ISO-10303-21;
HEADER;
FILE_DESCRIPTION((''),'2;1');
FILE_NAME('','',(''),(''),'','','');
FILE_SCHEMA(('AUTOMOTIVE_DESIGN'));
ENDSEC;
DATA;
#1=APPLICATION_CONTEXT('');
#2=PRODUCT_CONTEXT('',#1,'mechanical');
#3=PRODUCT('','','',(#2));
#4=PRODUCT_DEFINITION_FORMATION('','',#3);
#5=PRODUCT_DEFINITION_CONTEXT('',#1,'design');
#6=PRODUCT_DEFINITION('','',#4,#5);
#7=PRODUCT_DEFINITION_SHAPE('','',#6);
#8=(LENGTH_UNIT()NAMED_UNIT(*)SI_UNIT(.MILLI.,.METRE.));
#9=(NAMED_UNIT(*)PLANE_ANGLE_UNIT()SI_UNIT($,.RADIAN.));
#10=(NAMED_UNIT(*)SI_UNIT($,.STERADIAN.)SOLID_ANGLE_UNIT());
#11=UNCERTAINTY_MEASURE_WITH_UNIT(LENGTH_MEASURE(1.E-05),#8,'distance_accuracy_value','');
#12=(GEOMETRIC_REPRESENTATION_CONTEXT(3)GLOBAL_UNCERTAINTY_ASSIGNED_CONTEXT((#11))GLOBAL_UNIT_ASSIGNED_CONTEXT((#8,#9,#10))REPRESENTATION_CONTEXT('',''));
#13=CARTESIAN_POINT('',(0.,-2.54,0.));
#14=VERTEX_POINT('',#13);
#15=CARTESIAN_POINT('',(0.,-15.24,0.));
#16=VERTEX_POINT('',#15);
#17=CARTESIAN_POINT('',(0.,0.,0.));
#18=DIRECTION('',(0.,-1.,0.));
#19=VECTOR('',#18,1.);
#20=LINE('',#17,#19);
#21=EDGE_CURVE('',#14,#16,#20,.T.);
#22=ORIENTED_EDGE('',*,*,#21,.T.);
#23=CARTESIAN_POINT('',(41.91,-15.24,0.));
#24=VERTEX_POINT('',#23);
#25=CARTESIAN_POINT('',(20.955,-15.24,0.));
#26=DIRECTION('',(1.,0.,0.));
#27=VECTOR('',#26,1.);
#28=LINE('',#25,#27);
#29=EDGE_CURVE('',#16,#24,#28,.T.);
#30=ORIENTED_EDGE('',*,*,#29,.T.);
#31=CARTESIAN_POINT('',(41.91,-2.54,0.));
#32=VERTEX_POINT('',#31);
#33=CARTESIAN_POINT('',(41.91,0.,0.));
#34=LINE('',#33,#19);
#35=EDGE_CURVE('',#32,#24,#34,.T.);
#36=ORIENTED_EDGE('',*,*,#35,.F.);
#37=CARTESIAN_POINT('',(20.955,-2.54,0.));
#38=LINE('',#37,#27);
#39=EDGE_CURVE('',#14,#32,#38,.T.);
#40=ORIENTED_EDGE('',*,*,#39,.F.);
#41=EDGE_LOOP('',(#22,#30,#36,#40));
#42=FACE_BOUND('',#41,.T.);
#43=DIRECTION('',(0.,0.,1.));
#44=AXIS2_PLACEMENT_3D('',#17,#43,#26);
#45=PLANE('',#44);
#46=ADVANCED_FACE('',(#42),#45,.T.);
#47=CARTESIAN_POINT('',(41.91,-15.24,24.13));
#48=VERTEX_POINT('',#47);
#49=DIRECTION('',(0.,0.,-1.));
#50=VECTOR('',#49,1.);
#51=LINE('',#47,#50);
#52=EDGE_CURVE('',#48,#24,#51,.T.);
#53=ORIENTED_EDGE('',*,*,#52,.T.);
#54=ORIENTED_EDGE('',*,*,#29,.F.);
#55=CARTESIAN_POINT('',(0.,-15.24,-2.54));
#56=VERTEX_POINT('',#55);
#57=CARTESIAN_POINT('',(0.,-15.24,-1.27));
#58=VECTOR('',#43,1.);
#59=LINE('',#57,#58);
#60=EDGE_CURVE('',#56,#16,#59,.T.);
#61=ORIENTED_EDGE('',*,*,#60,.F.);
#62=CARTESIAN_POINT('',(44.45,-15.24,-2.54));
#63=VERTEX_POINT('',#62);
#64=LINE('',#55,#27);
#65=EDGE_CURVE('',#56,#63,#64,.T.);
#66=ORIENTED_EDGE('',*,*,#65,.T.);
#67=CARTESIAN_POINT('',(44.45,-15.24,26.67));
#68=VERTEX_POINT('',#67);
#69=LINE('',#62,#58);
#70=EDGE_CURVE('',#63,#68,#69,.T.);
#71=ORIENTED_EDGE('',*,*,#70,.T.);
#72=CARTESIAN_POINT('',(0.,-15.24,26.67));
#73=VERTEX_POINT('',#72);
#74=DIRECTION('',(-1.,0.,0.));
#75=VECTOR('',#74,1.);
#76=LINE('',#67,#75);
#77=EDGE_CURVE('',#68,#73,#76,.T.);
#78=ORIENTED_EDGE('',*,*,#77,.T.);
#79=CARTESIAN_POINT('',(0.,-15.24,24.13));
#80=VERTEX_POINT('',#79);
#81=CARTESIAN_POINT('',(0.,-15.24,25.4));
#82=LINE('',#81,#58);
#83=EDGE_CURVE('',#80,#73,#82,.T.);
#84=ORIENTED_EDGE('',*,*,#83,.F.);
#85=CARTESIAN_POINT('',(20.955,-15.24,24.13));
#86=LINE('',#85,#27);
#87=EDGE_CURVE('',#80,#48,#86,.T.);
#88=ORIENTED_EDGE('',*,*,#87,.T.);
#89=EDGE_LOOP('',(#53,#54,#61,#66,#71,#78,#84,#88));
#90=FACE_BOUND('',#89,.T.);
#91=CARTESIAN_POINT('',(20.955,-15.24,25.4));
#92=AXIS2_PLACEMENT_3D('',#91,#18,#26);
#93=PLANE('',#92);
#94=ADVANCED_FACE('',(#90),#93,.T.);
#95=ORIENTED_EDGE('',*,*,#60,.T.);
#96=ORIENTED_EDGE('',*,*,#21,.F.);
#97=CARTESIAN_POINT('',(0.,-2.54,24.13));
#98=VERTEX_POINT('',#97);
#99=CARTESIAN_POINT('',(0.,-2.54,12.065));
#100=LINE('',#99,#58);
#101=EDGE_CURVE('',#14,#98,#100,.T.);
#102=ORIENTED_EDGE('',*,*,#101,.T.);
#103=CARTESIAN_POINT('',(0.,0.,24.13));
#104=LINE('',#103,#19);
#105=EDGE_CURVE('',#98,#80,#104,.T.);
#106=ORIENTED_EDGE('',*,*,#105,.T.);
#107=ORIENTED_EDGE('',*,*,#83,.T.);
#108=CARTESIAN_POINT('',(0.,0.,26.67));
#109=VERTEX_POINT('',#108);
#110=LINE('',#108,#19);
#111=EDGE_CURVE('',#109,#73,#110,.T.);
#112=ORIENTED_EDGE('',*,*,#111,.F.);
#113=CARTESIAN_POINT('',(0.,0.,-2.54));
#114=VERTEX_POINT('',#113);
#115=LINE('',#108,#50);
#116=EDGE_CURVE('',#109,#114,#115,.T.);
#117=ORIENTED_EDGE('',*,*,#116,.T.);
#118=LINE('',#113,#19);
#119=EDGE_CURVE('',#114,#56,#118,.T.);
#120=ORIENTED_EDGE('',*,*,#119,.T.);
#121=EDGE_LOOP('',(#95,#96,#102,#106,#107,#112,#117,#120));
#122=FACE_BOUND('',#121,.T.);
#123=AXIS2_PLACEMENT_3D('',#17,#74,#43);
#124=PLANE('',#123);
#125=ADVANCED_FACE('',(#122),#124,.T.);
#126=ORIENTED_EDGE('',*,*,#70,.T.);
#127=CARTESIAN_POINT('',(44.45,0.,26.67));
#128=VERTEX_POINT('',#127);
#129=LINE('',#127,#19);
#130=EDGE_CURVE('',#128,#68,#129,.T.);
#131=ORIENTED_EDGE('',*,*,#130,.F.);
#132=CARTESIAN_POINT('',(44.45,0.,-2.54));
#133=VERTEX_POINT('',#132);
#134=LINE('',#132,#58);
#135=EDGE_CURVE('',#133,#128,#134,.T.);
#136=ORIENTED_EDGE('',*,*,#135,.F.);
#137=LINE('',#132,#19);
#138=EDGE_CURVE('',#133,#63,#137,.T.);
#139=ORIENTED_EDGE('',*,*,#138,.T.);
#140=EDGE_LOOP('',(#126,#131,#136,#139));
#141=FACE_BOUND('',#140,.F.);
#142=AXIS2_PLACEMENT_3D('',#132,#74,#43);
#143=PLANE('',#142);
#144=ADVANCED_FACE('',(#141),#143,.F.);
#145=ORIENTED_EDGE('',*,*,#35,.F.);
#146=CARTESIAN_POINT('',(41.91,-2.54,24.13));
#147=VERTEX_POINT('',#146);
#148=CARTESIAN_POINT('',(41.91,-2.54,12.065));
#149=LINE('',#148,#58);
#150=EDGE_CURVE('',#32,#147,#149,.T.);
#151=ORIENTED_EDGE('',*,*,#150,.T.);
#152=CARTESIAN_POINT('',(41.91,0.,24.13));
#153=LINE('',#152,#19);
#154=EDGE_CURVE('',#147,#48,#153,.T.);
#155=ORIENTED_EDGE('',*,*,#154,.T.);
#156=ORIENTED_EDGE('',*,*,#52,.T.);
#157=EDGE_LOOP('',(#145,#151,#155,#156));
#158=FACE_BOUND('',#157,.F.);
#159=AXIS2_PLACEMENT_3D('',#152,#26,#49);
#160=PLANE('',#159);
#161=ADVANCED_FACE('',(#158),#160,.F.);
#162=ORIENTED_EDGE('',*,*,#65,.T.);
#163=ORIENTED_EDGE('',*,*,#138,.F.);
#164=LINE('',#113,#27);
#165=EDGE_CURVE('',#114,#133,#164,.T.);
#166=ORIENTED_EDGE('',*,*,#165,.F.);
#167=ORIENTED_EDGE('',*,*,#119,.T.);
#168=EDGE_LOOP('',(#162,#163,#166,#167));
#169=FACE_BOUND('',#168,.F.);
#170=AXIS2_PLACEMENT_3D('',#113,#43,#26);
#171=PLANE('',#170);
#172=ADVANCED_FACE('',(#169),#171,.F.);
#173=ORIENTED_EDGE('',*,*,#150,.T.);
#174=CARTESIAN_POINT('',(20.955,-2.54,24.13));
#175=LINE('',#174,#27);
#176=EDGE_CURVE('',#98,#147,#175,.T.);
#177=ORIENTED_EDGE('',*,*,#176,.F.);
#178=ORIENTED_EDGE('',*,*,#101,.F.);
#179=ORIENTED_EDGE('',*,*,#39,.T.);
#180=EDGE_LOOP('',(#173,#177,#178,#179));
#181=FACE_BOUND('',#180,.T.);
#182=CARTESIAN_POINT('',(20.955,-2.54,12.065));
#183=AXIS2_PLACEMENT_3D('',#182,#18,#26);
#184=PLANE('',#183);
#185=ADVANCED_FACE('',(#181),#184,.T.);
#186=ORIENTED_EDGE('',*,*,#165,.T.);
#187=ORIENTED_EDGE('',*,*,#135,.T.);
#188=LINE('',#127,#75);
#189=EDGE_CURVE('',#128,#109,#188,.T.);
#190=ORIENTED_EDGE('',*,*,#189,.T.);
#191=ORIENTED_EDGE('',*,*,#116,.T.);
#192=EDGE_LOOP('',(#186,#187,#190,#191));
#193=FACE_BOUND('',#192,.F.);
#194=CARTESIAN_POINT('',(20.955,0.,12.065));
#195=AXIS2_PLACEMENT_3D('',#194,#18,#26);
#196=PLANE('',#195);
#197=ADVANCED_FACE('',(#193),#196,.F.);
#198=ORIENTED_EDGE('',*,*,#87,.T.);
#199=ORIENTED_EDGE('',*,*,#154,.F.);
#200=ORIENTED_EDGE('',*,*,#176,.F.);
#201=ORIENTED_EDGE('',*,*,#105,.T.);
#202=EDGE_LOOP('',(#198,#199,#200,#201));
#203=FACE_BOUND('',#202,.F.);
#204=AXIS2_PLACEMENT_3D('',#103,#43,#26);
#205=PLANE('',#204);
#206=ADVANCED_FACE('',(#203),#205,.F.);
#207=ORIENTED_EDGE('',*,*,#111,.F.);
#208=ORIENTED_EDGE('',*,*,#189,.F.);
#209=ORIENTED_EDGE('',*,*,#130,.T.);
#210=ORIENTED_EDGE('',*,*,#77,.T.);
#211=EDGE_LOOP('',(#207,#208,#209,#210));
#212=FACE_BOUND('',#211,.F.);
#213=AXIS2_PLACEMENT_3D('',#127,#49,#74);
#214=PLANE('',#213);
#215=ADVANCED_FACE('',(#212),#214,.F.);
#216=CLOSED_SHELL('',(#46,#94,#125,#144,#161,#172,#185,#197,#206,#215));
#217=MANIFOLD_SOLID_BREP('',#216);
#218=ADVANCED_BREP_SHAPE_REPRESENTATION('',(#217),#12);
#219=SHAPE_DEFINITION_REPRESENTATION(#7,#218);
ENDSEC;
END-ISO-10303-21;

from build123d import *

# Parameters (mm, degrees)
F0_W     = 41.91
F0_H     = 2.54
F1_DEPTH = 15.24
F0_H_2   = 24.13
F2_DEPTH = 2.54


with BuildPart() as f1:
    # F0 (on Front) → F1 (new body)
    with BuildSketch(Plane.XZ):
        with Locations((20.955, 25.4)):
            Rectangle(F0_W, F0_H)
        Polygon((41.91, 24.13), (41.91, 0), (41.91, -2.54), (44.45, -2.54), (44.45, 26.67), (41.91, 26.67), align=None)
        with Locations((20.955, -1.27)):
            Rectangle(F0_W, F0_H)
    extrude(amount=F1_DEPTH)

    # F0 (on Front) → F2 (join)
    with BuildSketch(Plane.XZ):
        with Locations((20.955, 12.065)):
            Rectangle(F0_W, F0_H_2)
    extrude(amount=F2_DEPTH)


solid = f1.part
